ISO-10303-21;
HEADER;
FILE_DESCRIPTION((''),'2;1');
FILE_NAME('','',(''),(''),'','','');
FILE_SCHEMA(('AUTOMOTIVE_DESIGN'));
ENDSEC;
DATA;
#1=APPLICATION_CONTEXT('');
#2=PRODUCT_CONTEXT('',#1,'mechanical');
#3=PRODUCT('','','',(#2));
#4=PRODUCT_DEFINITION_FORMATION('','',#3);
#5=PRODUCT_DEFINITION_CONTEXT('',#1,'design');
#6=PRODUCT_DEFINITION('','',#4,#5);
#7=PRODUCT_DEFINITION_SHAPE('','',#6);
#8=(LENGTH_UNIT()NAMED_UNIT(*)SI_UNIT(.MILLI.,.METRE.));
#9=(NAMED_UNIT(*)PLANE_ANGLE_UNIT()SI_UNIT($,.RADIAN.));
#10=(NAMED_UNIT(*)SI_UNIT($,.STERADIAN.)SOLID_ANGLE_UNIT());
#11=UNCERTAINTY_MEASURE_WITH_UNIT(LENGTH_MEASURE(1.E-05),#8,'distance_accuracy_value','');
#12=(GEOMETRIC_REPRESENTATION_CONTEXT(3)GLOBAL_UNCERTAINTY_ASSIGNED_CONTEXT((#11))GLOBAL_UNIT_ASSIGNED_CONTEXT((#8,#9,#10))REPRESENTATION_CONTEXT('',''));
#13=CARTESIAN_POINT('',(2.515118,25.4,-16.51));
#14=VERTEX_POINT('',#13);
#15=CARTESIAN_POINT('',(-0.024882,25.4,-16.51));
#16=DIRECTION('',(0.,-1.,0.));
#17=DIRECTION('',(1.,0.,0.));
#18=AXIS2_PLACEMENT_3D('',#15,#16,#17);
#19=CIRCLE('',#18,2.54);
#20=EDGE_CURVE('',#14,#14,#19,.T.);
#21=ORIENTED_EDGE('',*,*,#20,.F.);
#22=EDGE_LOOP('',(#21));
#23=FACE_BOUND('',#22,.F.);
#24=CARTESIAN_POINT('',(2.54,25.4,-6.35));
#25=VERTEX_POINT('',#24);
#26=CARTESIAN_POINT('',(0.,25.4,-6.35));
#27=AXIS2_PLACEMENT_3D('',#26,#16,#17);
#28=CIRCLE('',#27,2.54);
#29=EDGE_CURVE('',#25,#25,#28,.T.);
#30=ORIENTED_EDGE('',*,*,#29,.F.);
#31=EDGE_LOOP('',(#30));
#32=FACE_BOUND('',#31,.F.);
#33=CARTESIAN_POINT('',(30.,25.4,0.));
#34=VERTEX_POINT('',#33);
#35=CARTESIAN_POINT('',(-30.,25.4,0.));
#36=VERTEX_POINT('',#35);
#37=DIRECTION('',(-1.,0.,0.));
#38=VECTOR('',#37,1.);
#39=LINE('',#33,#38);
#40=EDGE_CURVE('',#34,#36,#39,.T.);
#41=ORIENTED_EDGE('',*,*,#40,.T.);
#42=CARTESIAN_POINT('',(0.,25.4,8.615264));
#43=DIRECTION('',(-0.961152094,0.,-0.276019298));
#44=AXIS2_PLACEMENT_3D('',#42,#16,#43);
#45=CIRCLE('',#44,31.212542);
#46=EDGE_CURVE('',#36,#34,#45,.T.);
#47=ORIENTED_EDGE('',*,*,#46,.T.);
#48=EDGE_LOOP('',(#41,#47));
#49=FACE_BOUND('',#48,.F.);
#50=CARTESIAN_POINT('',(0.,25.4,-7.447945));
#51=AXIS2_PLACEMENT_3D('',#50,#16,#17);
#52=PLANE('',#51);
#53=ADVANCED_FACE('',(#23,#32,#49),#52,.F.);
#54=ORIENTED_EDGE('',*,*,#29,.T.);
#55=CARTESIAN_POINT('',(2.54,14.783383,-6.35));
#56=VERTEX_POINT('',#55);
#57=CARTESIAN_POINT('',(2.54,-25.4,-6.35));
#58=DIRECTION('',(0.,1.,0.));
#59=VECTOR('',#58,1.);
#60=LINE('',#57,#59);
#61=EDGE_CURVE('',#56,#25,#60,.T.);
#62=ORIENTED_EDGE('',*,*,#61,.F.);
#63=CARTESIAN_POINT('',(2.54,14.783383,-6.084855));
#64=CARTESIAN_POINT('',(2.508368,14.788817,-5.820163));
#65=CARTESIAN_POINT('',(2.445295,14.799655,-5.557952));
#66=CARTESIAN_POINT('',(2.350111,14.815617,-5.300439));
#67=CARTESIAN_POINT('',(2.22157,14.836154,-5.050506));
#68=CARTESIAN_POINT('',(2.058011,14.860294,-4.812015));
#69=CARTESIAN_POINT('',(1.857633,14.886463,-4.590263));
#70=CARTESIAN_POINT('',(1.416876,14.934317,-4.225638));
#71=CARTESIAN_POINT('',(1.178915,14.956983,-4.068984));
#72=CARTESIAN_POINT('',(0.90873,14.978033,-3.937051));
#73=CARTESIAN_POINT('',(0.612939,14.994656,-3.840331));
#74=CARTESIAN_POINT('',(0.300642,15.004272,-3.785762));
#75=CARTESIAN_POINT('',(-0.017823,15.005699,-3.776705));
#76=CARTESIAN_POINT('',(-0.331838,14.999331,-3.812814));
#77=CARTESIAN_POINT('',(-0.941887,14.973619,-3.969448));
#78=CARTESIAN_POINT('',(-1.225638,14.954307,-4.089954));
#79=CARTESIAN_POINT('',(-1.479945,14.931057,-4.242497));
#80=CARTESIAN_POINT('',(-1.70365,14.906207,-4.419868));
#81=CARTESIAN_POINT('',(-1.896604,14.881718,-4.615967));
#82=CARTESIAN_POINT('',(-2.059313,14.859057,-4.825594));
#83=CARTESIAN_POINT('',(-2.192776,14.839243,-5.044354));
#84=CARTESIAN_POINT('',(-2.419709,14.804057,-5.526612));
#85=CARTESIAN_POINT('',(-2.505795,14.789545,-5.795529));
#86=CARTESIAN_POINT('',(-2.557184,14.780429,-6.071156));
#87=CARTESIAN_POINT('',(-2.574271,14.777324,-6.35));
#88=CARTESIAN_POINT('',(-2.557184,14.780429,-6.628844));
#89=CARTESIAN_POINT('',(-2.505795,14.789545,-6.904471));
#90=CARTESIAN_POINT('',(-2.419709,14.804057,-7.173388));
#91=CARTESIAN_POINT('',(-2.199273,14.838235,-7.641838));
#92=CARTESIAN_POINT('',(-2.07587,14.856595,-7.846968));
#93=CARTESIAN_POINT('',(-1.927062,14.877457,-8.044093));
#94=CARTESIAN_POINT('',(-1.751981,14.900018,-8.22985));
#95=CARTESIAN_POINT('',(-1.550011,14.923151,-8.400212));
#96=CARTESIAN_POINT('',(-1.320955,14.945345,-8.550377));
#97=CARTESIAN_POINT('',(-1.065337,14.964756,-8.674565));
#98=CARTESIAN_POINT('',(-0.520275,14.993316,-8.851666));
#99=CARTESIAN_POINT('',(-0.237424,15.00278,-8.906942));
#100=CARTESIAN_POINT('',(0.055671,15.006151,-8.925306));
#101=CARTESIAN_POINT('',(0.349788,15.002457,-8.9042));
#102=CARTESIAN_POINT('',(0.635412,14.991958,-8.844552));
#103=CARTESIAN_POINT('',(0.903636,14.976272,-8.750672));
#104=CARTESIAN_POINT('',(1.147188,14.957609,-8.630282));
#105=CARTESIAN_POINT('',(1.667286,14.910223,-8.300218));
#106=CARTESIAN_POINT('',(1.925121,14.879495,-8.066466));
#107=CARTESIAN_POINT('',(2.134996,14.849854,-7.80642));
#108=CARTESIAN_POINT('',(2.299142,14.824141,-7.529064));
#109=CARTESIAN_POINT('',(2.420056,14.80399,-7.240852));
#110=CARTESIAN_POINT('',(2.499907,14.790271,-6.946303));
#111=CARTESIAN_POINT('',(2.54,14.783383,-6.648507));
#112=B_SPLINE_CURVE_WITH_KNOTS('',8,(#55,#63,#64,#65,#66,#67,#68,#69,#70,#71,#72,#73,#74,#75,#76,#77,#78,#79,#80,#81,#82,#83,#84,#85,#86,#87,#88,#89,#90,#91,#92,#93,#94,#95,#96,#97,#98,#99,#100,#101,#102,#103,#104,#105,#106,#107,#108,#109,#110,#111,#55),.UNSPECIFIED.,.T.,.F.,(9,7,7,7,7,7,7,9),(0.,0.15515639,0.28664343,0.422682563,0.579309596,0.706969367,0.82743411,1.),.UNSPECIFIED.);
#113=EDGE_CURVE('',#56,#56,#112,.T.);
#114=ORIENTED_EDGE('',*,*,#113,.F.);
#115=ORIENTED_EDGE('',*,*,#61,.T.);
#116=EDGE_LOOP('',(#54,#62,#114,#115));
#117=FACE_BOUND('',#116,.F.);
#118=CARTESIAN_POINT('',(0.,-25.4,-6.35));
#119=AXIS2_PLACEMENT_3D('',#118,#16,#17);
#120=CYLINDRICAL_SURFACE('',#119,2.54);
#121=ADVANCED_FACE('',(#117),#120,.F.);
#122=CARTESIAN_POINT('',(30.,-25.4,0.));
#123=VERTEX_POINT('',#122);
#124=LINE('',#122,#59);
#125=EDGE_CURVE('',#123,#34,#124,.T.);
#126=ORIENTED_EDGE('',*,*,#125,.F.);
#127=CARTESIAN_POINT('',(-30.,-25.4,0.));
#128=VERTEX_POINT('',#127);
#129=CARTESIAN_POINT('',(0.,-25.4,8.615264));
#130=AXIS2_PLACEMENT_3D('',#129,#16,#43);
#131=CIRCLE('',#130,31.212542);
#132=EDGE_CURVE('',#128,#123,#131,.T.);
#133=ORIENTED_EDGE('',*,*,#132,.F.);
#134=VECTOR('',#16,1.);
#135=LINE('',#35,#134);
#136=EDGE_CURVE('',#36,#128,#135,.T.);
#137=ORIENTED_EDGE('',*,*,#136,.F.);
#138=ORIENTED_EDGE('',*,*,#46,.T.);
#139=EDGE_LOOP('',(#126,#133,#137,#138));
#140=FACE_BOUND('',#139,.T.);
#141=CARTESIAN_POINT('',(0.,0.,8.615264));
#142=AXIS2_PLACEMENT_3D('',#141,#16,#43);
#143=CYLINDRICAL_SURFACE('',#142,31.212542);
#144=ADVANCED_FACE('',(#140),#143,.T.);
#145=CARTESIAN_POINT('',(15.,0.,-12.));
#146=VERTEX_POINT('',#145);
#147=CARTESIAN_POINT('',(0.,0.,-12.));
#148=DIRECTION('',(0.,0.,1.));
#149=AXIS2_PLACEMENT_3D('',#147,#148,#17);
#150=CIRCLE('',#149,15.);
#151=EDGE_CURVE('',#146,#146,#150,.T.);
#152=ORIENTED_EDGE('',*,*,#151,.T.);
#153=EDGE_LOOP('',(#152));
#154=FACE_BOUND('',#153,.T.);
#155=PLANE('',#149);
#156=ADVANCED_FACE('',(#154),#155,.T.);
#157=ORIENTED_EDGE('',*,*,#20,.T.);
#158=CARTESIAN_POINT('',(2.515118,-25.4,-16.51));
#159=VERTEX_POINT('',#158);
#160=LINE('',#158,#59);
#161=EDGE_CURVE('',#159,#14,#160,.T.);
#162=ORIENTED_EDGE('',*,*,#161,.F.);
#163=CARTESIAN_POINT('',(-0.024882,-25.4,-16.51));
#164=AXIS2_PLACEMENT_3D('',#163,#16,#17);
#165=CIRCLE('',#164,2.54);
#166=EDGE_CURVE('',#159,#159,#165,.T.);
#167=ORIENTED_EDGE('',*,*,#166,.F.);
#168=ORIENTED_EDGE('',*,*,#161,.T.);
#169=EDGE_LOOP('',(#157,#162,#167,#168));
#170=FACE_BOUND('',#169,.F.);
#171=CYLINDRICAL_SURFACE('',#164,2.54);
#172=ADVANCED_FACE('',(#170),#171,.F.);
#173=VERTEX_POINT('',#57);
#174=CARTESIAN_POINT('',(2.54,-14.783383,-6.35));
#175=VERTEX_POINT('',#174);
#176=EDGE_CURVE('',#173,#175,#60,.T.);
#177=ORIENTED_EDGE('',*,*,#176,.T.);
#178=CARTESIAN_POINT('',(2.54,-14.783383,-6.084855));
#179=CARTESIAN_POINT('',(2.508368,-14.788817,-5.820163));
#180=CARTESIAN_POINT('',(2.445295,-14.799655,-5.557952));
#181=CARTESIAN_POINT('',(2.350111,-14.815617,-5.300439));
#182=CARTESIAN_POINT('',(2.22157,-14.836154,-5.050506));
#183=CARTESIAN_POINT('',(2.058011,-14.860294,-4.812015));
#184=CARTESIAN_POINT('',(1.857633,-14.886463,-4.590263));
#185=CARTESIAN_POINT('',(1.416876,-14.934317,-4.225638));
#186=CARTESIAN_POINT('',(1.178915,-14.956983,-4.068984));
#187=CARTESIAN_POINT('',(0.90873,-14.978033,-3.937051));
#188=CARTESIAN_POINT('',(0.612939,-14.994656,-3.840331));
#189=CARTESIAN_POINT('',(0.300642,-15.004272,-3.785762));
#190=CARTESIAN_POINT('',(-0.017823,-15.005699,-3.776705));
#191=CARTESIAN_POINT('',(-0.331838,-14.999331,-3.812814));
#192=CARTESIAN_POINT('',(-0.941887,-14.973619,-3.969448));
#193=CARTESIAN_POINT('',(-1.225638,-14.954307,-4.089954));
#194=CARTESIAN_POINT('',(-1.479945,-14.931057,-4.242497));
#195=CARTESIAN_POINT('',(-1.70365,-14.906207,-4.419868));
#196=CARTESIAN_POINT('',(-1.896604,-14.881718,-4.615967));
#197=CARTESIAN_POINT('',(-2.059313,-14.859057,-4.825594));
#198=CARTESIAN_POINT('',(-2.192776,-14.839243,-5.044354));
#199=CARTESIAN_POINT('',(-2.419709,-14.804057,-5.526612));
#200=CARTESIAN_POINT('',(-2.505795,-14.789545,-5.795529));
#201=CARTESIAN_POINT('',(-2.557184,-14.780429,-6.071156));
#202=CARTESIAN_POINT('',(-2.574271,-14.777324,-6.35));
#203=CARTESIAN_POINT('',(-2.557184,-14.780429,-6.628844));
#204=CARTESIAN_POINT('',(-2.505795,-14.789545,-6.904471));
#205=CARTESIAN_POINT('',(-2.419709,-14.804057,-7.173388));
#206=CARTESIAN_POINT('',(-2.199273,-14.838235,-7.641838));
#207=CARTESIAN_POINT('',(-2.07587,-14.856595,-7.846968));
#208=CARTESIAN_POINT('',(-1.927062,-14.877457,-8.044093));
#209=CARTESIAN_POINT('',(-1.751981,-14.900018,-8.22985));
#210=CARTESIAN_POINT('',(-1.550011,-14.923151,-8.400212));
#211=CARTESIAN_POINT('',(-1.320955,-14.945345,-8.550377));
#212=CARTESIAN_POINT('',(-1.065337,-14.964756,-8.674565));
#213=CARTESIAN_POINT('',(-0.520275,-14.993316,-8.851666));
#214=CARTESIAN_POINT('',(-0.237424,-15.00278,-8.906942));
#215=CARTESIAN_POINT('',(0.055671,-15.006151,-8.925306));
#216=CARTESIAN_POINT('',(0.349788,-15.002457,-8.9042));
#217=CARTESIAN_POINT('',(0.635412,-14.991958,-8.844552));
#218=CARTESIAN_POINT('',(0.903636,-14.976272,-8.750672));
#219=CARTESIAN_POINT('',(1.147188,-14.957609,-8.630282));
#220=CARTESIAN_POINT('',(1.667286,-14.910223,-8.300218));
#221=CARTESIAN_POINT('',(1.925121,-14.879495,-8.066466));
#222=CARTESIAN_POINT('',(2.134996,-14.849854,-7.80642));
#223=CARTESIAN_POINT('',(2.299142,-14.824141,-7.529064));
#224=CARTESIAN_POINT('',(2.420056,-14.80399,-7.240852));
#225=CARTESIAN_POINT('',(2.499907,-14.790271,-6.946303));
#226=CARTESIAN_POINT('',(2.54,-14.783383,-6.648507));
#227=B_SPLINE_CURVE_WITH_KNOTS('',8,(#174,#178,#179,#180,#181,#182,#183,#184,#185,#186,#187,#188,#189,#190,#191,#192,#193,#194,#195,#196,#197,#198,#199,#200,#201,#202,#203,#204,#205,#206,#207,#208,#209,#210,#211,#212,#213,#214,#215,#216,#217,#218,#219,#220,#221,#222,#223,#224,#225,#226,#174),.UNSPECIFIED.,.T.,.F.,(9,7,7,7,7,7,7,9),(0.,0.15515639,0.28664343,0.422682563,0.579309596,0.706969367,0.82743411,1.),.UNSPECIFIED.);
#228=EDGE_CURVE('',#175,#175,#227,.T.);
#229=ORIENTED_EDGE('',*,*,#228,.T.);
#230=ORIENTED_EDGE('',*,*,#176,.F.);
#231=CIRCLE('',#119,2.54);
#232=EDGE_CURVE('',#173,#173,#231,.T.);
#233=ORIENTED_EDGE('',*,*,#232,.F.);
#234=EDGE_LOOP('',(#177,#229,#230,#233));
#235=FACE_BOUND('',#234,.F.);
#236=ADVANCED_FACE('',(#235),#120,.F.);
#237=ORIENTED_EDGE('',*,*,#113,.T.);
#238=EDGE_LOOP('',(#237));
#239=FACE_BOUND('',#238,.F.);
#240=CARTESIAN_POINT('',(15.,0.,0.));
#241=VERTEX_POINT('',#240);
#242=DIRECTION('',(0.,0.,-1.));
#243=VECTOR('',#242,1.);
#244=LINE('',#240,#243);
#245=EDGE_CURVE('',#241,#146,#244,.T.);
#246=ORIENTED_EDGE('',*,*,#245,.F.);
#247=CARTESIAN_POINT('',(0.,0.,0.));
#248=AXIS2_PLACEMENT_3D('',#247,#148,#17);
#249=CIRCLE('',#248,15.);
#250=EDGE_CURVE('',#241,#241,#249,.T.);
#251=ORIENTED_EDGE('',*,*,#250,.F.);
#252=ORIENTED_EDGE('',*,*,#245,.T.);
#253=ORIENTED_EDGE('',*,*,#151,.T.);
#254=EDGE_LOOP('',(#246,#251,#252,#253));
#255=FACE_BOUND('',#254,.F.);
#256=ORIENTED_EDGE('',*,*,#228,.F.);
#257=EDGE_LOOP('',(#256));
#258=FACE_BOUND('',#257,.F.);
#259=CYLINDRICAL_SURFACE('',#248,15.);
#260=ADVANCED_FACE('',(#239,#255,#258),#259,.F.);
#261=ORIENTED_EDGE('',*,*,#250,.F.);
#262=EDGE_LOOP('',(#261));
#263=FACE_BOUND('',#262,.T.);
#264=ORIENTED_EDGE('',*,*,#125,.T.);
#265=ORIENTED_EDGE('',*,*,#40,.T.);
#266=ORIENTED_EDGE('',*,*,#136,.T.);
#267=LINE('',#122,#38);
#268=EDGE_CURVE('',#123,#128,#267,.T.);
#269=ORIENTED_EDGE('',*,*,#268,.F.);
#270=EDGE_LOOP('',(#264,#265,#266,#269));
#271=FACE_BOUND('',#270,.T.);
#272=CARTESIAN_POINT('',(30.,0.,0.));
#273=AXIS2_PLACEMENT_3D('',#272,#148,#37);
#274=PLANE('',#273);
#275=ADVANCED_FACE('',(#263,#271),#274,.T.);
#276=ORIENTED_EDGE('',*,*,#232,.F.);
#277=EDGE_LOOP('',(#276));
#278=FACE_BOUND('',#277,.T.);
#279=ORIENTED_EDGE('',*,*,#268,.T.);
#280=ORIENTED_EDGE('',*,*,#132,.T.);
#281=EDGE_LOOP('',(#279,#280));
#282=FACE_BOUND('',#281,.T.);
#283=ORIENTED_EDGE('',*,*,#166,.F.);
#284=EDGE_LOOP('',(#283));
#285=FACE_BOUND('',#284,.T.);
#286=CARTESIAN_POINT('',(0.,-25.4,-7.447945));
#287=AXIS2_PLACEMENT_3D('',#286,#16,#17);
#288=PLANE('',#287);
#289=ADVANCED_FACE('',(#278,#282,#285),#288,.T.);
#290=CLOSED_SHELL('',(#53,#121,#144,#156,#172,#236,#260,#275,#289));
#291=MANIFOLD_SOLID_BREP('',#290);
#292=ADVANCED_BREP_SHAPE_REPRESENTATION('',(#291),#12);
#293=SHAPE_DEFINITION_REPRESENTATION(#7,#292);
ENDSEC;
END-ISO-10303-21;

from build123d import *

# Parameters (mm, degrees)
F1_DEPTH      = 25.4
F1_DEPTH_BACK = 25.4
F2_R          = 15
F3_DEPTH      = 12
F5_R          = 2.54
F6_DEPTH      = 127


with BuildPart() as f1:
    # F0 (on Front) → F1 (new body, two sides)
    with BuildSketch(Plane.XZ) as f1_sk:
        with BuildLine():
            Line((30, 0), (-30, 0))
            ThreePointArc((-30, 0), (0, -22.597278), (30, 0))
        make_face()
    extrude(amount=F1_DEPTH)
    extrude(f1_sk.sketch, amount=-F1_DEPTH_BACK)

    # F2 (on face) → F3 (cut)
    with BuildSketch(Plane.XY):
        Circle(F2_R)
    extrude(amount=-F3_DEPTH, mode=Mode.SUBTRACT)

    # F5 (on face) → F6 (cut)
    with BuildSketch(Plane.XZ.offset(25.4)):
        with Locations((0, -6.35)):
            Circle(F5_R)
        with Locations((-0.024882, -16.51)):
            Circle(F5_R)
    extrude(amount=-F6_DEPTH, mode=Mode.SUBTRACT)


solid = f1.part
